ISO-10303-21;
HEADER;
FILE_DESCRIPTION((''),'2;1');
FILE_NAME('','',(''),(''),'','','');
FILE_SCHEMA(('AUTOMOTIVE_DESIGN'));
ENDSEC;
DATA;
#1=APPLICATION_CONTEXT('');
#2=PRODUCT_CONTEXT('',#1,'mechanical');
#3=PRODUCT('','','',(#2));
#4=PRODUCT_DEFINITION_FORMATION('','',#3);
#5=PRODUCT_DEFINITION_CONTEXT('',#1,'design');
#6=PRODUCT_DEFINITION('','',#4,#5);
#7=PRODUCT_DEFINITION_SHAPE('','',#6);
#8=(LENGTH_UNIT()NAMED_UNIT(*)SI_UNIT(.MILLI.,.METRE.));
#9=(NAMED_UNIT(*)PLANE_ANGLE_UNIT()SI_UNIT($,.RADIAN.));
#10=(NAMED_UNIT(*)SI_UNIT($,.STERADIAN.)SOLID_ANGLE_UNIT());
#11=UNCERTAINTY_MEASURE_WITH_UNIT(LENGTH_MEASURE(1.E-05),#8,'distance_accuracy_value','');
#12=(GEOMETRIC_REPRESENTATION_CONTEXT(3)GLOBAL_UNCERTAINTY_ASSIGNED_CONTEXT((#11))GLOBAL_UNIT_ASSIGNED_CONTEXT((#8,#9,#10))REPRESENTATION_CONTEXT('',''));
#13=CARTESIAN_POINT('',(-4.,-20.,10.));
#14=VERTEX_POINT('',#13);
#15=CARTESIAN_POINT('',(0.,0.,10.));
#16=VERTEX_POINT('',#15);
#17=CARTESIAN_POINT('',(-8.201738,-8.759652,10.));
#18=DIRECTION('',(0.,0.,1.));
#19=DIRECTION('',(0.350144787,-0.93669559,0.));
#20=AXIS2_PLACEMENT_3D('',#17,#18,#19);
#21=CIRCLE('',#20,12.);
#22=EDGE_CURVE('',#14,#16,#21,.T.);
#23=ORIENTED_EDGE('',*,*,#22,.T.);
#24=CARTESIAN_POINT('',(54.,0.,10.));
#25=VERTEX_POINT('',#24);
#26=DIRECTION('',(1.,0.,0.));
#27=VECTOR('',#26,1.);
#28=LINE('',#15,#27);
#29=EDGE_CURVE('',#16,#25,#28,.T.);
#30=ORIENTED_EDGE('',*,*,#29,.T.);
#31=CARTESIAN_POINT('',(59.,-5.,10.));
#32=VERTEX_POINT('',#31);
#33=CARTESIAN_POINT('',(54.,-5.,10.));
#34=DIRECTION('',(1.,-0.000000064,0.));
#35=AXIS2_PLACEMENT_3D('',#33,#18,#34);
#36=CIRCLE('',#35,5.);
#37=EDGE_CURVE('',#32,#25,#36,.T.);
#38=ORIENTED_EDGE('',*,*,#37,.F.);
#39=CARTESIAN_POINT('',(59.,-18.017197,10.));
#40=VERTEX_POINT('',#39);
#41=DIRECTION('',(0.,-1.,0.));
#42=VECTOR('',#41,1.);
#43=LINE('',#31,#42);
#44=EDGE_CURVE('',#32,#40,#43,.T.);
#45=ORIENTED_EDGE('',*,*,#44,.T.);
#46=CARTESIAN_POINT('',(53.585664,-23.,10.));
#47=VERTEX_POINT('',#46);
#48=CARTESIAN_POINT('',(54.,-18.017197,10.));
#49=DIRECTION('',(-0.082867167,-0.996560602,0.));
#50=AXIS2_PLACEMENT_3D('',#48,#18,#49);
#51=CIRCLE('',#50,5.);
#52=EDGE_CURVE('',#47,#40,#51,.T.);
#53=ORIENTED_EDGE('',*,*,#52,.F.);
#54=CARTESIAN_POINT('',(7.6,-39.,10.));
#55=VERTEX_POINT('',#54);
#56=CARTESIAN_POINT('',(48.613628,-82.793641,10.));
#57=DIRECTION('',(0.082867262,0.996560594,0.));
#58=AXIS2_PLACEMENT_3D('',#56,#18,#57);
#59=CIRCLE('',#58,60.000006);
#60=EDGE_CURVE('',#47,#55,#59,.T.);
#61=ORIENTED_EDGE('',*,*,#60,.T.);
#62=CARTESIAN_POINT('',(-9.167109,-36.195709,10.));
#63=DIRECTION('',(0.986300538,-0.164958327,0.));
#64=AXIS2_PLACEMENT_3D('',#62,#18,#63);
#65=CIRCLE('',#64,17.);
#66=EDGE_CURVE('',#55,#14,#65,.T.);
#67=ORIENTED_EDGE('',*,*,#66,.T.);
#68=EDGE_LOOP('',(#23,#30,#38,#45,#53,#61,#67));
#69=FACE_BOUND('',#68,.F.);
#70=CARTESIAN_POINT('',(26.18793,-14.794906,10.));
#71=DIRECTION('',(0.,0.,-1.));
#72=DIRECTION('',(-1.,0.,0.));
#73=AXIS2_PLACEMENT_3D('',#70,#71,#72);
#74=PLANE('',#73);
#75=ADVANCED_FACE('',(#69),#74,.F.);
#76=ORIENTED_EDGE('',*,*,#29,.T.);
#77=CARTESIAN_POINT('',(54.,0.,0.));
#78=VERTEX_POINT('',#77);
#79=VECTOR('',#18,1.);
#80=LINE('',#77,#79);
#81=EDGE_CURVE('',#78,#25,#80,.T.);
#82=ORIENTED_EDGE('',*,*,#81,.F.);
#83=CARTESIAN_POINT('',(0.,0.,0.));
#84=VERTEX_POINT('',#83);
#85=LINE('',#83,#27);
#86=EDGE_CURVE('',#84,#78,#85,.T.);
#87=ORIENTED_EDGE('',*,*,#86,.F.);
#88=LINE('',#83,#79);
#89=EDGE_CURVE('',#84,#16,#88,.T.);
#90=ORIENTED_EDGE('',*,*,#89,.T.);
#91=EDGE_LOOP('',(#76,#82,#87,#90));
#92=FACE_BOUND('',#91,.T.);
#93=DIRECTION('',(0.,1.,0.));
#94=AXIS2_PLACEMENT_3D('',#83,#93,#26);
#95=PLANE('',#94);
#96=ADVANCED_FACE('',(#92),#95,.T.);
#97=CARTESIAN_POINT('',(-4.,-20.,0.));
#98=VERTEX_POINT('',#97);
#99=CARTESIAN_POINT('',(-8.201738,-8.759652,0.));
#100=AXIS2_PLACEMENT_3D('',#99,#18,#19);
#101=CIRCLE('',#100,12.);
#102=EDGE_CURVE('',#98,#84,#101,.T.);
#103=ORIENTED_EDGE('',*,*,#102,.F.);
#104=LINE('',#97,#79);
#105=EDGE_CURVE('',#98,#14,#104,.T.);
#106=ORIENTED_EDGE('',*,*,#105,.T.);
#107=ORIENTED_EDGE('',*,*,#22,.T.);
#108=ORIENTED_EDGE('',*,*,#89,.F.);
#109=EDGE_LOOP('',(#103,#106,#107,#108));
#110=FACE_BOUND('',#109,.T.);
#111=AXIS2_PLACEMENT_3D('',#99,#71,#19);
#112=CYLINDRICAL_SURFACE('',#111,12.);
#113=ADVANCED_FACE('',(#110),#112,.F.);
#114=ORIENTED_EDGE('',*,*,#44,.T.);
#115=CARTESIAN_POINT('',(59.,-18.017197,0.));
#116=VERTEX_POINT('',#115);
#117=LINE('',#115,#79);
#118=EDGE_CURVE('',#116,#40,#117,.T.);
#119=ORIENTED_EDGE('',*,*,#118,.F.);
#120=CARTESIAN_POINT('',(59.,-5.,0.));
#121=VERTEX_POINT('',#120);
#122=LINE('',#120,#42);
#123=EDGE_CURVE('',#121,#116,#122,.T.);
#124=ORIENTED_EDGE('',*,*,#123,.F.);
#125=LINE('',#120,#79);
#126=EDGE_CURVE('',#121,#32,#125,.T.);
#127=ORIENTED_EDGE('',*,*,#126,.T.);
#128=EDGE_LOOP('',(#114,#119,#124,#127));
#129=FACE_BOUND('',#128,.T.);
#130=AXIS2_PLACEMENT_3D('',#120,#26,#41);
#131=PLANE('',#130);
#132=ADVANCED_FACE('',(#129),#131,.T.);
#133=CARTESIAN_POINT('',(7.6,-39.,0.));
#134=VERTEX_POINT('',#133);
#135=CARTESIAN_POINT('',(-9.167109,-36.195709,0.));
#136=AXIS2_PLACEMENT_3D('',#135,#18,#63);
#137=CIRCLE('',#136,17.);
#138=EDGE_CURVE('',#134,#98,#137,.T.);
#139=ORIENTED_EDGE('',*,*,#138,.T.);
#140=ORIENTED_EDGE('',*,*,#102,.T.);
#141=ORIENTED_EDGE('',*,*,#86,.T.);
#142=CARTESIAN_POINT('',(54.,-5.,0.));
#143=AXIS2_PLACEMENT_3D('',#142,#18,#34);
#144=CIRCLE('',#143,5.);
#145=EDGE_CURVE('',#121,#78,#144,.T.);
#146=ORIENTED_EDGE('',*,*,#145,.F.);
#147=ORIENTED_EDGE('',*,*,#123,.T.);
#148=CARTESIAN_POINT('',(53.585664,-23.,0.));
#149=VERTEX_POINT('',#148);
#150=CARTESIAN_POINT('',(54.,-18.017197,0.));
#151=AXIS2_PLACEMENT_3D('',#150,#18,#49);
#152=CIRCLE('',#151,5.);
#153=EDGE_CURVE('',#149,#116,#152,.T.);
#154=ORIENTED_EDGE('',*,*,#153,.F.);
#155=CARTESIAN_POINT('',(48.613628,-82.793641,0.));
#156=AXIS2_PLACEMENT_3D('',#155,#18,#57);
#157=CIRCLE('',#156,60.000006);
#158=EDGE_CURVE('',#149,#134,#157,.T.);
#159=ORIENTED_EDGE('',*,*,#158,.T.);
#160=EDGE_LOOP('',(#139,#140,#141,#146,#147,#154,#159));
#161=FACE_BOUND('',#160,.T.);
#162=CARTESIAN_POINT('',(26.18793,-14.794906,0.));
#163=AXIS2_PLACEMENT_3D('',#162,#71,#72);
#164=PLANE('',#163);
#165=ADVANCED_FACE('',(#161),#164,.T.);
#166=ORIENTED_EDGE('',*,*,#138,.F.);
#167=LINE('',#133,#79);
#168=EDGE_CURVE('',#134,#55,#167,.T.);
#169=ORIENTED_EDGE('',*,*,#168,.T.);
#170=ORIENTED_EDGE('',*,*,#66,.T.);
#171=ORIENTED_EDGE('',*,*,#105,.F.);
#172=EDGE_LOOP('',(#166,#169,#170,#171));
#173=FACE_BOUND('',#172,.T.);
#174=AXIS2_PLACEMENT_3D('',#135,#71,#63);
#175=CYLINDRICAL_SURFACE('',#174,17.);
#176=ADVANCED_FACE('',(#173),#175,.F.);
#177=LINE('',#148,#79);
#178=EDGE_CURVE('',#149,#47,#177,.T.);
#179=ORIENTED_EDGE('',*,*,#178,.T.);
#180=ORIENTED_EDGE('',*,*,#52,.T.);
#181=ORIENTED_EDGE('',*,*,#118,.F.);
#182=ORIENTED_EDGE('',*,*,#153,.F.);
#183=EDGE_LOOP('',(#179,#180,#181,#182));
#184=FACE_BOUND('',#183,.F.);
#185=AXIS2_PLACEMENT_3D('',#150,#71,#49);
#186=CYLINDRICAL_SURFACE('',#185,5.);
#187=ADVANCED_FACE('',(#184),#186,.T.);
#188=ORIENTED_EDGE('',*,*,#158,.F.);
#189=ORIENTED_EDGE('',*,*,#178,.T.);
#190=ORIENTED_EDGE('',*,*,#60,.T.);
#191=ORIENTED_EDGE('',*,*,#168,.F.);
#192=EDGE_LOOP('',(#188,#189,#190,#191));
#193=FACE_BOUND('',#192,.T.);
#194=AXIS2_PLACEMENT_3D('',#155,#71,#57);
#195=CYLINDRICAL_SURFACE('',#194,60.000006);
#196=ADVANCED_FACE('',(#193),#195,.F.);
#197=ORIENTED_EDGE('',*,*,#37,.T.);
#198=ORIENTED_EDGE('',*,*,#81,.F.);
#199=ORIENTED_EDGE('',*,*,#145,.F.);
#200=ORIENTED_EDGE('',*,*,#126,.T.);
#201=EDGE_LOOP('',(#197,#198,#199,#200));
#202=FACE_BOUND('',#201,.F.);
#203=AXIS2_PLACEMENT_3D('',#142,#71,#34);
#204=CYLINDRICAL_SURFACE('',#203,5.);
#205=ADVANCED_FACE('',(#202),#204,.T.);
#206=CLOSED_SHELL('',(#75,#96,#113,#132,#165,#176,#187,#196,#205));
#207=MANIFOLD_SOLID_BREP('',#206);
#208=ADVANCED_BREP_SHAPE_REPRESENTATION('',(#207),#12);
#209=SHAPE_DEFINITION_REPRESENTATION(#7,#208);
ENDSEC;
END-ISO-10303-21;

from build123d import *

# Parameters (mm, degrees)
PAD_DEPTH = 10


with BuildPart() as part:
    # Sketch → Pad (new body)
    with BuildSketch(Plane.XY):
        with BuildLine():
            Line((0, 0), (54, 0))
            ThreePointArc((59, -5), (57.535534, -1.464466), (54, 0))
            Line((59, -5), (59, -18.017197))
            ThreePointArc((53.585664, -23), (57.385876, -21.696306), (59, -18.017197))
            ThreePointArc((53.585664, -23), (28.896907, -26.125735), (7.6, -39))
            ThreePointArc((7.6, -39), (5.342456, -27.337237), (-4, -20))
            ThreePointArc((-4, -20), (3.565231, -11.113046), (0, 0))
        make_face()
    extrude(amount=PAD_DEPTH)


solid = part.part
